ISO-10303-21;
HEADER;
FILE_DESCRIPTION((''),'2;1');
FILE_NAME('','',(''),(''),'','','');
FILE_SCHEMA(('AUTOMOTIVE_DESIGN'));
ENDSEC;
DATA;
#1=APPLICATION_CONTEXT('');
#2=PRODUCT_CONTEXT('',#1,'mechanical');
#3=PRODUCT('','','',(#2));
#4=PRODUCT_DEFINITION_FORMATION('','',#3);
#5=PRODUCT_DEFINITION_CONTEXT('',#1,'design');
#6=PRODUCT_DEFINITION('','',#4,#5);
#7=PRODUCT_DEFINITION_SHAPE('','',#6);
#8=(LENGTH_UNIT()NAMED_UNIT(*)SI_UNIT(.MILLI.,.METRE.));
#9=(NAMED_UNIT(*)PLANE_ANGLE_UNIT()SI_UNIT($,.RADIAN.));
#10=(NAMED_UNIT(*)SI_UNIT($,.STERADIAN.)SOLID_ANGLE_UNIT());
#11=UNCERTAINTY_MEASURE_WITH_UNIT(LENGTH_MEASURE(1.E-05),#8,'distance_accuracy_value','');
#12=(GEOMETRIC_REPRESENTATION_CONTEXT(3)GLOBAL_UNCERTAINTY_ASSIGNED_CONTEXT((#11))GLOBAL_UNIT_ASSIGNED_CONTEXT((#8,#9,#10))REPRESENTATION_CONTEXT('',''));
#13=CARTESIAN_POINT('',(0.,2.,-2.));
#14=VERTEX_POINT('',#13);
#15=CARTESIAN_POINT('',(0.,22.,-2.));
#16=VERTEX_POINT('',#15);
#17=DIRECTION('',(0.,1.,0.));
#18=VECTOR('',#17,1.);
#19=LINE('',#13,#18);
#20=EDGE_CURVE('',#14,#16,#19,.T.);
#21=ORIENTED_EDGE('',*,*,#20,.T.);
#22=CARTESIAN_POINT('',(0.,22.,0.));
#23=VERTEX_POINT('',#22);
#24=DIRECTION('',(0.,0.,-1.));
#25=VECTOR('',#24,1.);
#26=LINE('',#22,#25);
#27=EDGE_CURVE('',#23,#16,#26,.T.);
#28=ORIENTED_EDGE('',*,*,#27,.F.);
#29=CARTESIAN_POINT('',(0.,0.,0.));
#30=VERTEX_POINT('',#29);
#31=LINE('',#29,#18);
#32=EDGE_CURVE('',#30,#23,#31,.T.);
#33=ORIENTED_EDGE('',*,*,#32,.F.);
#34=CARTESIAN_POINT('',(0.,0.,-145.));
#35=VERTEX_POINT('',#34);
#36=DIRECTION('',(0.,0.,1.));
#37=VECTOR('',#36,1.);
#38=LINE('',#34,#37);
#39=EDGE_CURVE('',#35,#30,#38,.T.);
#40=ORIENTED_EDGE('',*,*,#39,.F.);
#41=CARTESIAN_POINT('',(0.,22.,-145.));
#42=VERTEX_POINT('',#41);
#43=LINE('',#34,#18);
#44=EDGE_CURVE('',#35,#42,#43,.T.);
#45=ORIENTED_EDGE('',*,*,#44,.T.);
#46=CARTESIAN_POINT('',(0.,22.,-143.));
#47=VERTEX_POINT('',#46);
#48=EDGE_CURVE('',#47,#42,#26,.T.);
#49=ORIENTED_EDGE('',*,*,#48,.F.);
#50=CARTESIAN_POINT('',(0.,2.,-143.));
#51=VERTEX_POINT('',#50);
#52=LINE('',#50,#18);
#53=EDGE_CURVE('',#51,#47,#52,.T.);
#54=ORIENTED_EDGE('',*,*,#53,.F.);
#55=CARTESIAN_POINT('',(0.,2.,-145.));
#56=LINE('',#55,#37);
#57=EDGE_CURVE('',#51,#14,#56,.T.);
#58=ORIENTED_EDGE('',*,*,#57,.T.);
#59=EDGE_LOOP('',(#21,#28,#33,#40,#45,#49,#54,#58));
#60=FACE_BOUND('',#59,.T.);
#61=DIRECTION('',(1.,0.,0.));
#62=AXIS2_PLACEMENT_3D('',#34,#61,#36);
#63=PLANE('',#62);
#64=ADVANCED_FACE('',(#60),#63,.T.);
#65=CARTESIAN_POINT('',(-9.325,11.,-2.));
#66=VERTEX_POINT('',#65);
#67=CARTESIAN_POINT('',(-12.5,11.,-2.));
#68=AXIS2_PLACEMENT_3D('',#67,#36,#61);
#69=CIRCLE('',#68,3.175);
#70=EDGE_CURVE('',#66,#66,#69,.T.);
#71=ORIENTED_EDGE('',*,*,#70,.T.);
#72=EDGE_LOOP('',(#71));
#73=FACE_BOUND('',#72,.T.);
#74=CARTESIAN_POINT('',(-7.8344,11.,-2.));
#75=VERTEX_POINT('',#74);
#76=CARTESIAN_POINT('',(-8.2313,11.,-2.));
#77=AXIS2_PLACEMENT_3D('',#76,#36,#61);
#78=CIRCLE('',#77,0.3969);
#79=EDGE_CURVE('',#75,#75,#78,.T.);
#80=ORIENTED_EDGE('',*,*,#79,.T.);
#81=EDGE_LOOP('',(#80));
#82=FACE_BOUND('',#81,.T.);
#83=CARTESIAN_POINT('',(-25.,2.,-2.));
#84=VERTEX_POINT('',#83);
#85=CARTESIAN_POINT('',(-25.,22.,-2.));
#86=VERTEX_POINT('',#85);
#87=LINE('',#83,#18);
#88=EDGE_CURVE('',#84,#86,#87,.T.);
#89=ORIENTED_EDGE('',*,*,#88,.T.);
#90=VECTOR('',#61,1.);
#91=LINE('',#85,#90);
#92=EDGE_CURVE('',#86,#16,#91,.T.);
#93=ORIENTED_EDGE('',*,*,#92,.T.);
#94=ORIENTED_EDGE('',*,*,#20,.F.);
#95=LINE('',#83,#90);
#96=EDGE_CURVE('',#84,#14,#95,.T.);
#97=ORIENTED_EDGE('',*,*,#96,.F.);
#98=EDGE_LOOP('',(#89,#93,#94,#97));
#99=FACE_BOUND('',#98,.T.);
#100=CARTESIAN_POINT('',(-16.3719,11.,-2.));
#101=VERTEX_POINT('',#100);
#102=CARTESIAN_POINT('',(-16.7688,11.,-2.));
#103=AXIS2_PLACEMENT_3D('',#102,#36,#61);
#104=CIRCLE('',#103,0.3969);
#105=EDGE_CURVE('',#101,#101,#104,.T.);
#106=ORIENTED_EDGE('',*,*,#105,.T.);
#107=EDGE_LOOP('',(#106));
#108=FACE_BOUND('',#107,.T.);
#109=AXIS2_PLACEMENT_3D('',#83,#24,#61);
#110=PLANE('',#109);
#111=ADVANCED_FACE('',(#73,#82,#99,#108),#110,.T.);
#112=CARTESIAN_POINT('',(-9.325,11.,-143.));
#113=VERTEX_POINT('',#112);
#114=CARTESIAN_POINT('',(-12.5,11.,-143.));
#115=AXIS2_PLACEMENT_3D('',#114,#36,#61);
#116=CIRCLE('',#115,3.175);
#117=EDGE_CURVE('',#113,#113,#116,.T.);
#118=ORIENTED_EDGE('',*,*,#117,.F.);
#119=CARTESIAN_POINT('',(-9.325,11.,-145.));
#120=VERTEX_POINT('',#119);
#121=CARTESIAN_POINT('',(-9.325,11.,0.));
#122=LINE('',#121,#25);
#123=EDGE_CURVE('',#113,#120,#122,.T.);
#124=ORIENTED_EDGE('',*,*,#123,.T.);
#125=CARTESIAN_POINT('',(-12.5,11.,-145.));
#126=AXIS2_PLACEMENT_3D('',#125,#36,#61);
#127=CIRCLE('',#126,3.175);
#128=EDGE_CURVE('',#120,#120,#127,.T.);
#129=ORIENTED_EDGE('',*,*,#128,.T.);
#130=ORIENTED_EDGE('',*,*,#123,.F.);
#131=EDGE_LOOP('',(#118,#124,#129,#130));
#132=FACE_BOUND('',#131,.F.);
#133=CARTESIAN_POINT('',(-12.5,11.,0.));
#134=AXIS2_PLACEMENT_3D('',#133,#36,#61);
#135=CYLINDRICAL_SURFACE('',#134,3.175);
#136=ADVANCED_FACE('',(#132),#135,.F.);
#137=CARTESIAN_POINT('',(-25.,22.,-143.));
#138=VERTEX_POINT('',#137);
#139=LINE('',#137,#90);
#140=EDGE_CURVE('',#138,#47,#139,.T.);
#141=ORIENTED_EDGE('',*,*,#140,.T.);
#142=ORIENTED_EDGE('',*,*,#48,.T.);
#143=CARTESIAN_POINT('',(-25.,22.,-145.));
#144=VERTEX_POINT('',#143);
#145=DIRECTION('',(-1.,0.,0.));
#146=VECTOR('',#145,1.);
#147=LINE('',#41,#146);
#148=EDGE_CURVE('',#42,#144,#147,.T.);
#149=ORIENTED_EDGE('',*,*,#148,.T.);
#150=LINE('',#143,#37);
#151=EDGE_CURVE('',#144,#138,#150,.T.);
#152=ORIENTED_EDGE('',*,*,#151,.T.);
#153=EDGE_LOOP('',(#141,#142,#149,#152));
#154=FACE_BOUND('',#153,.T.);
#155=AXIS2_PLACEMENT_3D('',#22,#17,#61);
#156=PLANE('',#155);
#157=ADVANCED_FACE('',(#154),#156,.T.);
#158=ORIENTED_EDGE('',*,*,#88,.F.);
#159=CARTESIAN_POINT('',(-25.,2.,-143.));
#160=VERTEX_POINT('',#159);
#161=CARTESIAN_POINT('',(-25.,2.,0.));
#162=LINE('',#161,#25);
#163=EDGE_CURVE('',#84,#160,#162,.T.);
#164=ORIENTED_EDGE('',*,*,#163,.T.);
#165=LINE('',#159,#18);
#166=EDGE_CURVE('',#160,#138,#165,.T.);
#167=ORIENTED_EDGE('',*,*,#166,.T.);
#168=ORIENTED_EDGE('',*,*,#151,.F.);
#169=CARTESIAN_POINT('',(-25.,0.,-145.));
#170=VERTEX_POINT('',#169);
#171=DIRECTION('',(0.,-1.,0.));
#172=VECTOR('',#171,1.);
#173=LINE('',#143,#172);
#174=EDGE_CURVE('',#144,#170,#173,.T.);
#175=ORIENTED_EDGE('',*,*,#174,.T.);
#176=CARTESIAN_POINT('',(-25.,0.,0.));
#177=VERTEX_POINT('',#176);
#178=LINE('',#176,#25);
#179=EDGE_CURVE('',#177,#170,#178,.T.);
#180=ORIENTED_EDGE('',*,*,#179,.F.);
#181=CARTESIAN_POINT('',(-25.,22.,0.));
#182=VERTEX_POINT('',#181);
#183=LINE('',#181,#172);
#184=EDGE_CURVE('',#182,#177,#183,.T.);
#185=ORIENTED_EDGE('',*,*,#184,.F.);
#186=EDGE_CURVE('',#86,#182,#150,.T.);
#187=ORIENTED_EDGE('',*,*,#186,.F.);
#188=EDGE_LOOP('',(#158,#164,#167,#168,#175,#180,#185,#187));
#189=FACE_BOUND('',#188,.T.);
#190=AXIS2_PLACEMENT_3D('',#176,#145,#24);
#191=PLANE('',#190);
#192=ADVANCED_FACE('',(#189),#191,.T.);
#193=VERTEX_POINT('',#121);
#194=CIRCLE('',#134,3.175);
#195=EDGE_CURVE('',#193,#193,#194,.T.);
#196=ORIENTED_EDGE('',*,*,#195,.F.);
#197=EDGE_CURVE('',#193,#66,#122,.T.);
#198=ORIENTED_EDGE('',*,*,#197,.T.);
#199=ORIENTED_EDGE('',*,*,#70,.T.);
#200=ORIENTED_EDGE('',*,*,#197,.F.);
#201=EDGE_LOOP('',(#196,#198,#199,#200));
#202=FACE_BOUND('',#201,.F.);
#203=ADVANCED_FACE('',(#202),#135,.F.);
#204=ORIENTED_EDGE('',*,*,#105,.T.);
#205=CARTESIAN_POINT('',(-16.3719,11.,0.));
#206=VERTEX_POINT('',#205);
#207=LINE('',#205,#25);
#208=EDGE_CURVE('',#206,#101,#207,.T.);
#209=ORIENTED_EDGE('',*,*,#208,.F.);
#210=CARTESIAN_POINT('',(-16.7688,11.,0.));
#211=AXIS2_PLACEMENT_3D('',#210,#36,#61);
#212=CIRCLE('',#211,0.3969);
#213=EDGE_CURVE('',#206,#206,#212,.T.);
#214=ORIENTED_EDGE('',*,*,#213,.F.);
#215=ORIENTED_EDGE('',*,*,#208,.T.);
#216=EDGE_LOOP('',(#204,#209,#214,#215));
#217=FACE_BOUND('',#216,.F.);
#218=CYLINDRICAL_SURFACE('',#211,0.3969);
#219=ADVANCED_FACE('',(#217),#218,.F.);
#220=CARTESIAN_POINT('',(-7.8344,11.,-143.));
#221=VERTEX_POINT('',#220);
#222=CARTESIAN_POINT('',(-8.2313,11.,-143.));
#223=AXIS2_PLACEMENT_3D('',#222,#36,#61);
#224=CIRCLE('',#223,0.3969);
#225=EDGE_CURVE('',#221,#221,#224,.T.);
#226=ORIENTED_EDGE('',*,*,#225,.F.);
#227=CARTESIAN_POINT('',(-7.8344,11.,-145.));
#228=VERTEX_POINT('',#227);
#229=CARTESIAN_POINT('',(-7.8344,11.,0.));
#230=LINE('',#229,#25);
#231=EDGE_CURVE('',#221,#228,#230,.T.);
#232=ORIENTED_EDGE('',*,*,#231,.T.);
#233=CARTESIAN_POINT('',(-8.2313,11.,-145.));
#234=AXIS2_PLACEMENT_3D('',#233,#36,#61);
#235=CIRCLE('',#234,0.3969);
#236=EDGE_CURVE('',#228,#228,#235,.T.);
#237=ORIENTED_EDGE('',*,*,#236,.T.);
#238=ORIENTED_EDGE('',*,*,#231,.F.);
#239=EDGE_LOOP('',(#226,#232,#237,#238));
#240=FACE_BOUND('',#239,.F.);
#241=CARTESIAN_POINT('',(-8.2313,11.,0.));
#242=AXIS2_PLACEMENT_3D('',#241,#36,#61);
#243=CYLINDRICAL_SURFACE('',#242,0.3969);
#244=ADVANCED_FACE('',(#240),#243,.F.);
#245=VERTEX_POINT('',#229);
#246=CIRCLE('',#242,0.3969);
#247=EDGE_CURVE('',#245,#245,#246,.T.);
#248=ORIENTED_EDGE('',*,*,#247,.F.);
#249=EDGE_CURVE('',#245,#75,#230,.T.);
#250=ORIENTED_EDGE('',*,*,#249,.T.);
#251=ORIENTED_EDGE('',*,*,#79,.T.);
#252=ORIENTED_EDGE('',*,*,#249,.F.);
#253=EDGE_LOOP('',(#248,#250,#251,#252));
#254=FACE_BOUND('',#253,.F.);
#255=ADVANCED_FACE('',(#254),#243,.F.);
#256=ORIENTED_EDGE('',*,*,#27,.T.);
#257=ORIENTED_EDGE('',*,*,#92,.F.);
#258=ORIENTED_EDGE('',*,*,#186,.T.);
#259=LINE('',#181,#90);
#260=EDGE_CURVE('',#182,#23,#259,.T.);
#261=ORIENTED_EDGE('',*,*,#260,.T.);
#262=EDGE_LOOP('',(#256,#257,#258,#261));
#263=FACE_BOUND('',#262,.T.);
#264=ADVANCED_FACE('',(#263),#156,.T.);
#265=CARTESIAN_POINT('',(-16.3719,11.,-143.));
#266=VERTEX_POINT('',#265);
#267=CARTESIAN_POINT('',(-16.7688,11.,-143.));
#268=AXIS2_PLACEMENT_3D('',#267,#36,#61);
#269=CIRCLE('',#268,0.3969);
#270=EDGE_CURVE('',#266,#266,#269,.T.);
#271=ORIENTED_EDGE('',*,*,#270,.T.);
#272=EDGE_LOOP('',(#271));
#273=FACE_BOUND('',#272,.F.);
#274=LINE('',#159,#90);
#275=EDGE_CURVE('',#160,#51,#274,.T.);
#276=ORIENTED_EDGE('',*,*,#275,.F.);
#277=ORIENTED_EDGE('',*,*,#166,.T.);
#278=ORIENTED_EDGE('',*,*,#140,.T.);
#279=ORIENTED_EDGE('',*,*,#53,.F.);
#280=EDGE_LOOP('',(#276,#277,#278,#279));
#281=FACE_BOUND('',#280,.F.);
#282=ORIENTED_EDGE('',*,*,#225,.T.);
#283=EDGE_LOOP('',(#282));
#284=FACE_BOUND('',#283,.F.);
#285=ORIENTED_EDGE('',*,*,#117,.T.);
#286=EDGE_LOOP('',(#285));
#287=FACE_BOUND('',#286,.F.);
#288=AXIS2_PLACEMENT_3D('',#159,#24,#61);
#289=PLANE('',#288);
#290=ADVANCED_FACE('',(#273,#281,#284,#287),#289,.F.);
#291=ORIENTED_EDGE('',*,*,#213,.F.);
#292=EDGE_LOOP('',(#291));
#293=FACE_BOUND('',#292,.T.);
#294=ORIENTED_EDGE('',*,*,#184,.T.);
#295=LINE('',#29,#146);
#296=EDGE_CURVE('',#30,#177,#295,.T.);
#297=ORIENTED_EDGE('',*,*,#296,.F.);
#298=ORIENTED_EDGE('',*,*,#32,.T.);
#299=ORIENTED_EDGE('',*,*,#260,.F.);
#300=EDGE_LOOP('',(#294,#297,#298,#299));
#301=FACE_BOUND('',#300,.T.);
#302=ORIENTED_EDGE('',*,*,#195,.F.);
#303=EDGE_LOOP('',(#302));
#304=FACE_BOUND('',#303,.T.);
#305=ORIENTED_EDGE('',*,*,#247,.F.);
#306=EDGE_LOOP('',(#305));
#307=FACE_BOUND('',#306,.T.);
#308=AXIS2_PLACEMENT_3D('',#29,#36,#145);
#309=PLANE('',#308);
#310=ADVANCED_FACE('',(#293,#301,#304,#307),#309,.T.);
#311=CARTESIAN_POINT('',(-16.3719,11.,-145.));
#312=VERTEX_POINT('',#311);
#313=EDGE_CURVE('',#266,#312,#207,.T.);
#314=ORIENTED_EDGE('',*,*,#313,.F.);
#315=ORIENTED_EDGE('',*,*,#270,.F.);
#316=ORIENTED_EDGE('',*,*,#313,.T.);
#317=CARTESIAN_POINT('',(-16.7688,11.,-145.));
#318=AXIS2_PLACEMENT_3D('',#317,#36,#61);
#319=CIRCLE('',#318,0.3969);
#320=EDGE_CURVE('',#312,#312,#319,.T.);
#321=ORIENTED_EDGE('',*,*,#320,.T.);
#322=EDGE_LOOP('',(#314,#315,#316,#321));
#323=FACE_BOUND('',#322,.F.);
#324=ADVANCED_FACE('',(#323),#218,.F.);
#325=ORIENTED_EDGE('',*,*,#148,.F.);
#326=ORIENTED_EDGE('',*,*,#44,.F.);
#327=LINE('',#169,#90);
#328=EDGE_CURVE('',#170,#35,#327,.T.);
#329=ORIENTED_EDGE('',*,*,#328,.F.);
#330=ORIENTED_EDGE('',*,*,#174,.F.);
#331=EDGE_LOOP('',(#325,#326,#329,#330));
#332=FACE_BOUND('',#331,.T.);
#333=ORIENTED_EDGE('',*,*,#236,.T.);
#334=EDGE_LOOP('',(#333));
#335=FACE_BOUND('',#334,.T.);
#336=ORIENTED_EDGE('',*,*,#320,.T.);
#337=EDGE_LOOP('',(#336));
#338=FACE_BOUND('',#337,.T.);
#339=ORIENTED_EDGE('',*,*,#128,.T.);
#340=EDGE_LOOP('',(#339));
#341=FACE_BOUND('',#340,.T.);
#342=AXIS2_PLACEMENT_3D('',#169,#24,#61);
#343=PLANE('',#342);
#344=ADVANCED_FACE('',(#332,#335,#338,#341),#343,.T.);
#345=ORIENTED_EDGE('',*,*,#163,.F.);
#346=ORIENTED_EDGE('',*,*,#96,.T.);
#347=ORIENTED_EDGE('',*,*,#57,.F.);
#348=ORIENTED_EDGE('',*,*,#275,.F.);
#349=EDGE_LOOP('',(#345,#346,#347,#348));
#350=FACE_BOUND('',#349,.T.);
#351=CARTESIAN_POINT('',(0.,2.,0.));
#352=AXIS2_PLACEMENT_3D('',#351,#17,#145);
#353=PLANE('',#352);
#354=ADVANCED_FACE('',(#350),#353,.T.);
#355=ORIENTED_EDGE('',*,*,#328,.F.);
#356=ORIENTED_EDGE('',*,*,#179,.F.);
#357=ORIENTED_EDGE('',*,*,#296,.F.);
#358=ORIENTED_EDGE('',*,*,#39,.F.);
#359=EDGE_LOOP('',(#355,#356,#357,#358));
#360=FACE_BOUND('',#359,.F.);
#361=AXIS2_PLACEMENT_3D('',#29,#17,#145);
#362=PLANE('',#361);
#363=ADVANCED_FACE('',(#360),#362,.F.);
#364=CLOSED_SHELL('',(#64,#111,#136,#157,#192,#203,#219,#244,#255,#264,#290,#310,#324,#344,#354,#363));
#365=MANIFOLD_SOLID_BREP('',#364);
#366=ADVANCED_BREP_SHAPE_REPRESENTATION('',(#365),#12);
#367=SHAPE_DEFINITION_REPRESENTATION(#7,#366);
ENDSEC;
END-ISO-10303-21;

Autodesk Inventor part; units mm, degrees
ref_plane "YZ Plane" through (0, 0, 0) normal (1, 0, 0) x (0, 1, 0)
ref_plane "XZ Plane" through (0, 0, 0) normal (0, 1, 0) x (-1, 0, 0)
ref_plane "XY Plane" through (0, 0, 0) normal (0, 0, 1) x (1, 0, 0)
sketch "Sketch1" plane through (0, 0, 0) normal (0, 1, 0) x (-1, 0, 0)
  line L0 (0, 0) -> (25, 0)
  line L1 (25, 0) -> (25, -145)
  line L2 (25, -145) -> (0, -145)
  line L3 (0, -145) -> (0, 0)
  dimension "d0" = 25
  dimension "d1" = 145
extrude "Extrusion1" add sketch "Sketch1" along normal blind 2
sketch "Sketch2" plane through (0, 2, 0) normal (0, 1, 0) x (1, 0, 0)
  line L0 (-25, 0) -> (0, 0) projected
  line L1 (0, 0) -> (0, 145) projected
  line L2 (0, 145) -> (-25, 145) projected
  line L3 (-25, 145) -> (-25, 0) projected
  line L4 (-25, 145) -> (-25, 0) projected
  line L5 (0, 0) -> (-25, 0)
  line L6 (-25, 0) -> (-25, 2)
  line L7 (-25, 2) -> (0, 2)
  line L8 (0, 2) -> (0, 0)
  line L9 (0, 145) -> (-25, 145)
  line L10 (-25, 145) -> (-25, 143)
  line L11 (-25, 143) -> (0, 143)
  line L12 (0, 143) -> (0, 145)
  dimension "d4" = 2
  dimension "d5" = 2
extrude "Extrusion2" add sketch "Sketch2" along normal blind 20 contours L3 L7 L1 L0 | L3 L2 L1 L11
sketch "Sketch3" plane through (-25, 0, 0) normal (0, 0, 1) x (1, 0, 0)
  line L0 (25, 0) -> (0, 0) projected
  line L1 (25, 0) -> (25, 22) projected
  line L2 (0, 22) -> (25, 22) projected
  line L3 (0, 0) -> (0, 22) projected
  circle A0 centre (12.5, 11) radius 3.175
  circle A1 centre (16.7687, 11) radius 0.3969
  circle A2 centre (8.2312, 11) radius 0.3969
  dimension "d8" = 12.5
  dimension "d9" = 11
  dimension "d10" = 6.35
  dimension "d15" = 0.7937
  dimension "d16" = 0.7937
  dimension "d17" = 8.2312
  dimension "d19" = 8.2312
  dimension "d20" = 11
  dimension "d21" = 11
extrude "Extrusion4" cut sketch "Sketch3" against normal up to surface (145 mm away) contours A0 | A1 | A2
equation "\"d16\" = d15"
properties part number "motor-rail"
